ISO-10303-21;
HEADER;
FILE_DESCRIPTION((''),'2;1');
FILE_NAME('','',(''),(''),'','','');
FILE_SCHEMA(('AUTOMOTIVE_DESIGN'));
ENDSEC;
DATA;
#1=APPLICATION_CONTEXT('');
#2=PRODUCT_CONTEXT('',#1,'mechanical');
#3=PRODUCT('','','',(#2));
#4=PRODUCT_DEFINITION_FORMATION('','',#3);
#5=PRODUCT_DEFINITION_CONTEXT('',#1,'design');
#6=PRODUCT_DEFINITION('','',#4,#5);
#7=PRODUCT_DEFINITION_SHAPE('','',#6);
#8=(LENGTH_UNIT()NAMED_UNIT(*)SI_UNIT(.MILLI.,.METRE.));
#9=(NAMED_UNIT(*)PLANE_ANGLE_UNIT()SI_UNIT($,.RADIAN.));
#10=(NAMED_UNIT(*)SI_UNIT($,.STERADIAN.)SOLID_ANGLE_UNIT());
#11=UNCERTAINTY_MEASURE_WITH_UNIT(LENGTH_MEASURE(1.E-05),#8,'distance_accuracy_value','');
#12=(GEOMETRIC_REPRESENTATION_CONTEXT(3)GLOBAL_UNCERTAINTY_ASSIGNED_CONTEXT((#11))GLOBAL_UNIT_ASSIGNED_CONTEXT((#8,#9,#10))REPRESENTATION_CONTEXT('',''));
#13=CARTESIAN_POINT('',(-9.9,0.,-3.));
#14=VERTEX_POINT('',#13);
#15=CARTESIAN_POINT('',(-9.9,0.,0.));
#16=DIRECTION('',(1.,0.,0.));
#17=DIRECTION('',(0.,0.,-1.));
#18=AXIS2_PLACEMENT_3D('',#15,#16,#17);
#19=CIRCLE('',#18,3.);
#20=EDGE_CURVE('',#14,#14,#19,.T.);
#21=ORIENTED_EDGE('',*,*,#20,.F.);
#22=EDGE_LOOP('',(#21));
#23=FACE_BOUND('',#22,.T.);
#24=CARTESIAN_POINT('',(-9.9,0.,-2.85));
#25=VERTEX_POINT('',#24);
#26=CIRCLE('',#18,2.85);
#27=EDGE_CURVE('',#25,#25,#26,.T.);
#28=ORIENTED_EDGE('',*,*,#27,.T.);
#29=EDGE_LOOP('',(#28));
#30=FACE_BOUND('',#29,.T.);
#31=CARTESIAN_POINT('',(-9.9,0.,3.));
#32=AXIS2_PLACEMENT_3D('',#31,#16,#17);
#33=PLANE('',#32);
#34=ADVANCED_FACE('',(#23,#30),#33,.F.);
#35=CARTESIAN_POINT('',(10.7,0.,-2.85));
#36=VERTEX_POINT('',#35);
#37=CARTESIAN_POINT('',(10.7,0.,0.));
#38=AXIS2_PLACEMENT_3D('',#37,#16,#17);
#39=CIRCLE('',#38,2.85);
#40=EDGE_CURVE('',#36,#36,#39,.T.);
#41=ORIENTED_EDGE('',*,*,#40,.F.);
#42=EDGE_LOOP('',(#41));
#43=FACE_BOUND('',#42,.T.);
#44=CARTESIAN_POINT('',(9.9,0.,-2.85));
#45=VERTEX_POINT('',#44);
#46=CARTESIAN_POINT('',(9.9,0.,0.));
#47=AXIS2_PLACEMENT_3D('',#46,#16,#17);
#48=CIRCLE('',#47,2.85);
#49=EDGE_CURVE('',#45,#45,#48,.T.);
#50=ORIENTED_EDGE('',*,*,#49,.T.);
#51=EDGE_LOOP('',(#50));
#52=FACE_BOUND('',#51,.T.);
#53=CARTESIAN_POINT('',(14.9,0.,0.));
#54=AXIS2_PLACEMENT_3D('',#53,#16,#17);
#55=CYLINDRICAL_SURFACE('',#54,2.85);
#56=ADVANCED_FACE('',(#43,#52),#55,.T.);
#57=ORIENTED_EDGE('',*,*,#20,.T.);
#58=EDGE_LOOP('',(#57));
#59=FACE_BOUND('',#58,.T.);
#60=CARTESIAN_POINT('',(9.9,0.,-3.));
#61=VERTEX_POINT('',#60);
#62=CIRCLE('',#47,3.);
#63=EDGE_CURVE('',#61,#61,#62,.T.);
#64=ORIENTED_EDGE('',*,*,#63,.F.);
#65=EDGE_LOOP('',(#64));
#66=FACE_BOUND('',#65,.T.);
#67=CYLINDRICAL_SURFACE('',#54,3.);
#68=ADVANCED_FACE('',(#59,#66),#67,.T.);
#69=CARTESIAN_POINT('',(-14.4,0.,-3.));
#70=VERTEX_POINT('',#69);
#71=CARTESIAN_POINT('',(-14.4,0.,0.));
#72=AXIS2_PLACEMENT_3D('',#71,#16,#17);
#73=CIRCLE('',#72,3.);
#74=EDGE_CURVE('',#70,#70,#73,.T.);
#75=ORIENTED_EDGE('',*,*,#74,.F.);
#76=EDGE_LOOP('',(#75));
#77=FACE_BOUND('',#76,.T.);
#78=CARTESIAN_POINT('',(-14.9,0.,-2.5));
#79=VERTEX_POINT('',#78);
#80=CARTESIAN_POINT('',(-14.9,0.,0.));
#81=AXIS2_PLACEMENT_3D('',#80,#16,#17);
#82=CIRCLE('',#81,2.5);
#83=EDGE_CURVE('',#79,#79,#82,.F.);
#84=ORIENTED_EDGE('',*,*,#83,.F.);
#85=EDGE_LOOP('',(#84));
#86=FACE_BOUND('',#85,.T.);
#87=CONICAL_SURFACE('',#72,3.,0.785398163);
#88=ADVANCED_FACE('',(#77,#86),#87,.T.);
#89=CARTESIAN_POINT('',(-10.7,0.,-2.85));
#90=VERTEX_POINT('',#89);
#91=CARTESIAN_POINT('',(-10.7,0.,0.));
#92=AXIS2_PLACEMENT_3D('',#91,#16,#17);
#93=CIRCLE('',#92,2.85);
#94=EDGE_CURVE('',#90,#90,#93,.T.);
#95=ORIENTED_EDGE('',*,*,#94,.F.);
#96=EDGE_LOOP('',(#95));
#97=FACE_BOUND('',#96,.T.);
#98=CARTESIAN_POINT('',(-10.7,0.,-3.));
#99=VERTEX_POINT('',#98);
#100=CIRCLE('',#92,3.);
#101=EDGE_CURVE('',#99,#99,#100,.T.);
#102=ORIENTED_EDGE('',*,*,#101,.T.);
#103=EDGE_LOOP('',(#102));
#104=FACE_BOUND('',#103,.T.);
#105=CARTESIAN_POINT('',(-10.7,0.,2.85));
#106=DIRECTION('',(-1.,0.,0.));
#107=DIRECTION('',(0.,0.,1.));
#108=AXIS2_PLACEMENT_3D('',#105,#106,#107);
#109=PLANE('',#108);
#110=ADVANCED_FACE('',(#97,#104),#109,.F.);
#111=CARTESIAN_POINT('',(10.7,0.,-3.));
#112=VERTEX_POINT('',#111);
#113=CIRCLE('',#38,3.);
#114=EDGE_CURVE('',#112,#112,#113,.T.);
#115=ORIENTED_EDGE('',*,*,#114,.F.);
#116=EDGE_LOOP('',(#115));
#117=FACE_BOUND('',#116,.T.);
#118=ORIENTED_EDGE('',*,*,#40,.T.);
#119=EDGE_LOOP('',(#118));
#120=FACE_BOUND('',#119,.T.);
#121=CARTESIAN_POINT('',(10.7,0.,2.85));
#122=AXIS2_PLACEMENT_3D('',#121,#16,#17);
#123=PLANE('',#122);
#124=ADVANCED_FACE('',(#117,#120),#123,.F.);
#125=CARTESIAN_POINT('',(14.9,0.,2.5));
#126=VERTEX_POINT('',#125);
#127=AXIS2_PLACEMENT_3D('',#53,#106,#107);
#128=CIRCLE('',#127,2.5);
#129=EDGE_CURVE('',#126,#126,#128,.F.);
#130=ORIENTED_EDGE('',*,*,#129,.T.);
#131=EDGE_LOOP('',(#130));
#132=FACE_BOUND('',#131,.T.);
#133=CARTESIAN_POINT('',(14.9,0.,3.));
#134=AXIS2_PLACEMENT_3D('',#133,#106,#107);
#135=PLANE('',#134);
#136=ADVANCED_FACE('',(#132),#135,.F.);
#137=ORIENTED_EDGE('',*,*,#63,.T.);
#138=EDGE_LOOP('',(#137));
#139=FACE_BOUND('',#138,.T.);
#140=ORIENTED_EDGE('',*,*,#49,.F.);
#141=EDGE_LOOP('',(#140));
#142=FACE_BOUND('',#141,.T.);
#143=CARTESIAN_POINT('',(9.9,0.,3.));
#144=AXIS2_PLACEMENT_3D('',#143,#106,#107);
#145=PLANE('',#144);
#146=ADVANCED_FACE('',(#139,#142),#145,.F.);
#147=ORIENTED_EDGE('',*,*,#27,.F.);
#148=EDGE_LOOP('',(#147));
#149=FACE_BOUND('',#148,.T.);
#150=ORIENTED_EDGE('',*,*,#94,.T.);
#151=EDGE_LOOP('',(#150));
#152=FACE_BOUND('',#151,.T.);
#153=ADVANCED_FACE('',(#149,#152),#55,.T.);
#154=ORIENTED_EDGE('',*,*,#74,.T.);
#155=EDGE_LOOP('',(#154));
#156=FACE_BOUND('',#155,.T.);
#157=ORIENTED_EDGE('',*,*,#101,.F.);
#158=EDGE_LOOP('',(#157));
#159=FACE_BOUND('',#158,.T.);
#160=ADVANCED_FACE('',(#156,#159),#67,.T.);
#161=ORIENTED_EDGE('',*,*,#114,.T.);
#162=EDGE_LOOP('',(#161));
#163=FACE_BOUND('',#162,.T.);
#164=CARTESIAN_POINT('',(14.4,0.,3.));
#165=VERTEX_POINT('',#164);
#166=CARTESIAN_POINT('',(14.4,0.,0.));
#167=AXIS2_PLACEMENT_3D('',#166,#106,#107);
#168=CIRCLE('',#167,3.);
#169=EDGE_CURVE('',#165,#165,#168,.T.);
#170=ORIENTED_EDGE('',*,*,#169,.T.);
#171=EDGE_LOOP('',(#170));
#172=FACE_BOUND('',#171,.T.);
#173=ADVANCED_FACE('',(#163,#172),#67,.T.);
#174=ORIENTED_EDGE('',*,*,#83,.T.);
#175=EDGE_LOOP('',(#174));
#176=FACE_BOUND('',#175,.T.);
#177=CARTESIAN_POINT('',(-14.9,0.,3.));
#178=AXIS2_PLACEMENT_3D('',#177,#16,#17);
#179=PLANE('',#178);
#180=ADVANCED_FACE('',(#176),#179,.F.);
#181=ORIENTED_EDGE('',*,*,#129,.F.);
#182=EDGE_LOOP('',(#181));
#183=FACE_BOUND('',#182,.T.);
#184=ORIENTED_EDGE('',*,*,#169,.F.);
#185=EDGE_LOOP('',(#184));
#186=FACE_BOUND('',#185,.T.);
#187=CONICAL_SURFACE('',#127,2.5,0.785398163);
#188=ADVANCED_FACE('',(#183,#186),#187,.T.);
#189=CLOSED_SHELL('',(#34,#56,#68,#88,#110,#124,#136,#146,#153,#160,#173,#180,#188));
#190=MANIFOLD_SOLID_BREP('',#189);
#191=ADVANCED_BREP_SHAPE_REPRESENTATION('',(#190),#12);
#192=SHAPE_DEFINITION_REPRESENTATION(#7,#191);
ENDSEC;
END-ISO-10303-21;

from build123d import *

# Parameters (mm, degrees)
CHAFL_N1_SIZE = 0.5


with BuildPart() as part:
    # Croquis1 → Revolución1 (revolve)
    with BuildSketch(Plane(origin=(0, 0, 0), x_dir=(-1, 0, 0), z_dir=(0, 1, 0)), mode=Mode.PRIVATE) as revoluci_n1_sk:
        Polygon((-9.9, 3), (9.9, 3), (9.9, 2.85), (10.7, 2.85), (10.7, 3), (14.9, 3), (14.9, 0), (-14.9, 0), (-14.9, 3), (-10.7, 3), (-10.7, 2.85), (-9.9, 2.85), align=None)
    revolve(revoluci_n1_sk.sketch.rotate(Axis((14.9, 0, 0), (-1, 0, 0)), 180), axis=Axis((14.9, 0, 0), (-1, 0, 0)))

    # Chaflán1
    chafl_n1_edges = [part.edges().sort_by_distance(p)[0] for p in [
        (14.9, 0, 3),
        (-14.9, 0, 3),
    ]]
    chamfer(chafl_n1_edges, length=CHAFL_N1_SIZE)


solid = part.part
